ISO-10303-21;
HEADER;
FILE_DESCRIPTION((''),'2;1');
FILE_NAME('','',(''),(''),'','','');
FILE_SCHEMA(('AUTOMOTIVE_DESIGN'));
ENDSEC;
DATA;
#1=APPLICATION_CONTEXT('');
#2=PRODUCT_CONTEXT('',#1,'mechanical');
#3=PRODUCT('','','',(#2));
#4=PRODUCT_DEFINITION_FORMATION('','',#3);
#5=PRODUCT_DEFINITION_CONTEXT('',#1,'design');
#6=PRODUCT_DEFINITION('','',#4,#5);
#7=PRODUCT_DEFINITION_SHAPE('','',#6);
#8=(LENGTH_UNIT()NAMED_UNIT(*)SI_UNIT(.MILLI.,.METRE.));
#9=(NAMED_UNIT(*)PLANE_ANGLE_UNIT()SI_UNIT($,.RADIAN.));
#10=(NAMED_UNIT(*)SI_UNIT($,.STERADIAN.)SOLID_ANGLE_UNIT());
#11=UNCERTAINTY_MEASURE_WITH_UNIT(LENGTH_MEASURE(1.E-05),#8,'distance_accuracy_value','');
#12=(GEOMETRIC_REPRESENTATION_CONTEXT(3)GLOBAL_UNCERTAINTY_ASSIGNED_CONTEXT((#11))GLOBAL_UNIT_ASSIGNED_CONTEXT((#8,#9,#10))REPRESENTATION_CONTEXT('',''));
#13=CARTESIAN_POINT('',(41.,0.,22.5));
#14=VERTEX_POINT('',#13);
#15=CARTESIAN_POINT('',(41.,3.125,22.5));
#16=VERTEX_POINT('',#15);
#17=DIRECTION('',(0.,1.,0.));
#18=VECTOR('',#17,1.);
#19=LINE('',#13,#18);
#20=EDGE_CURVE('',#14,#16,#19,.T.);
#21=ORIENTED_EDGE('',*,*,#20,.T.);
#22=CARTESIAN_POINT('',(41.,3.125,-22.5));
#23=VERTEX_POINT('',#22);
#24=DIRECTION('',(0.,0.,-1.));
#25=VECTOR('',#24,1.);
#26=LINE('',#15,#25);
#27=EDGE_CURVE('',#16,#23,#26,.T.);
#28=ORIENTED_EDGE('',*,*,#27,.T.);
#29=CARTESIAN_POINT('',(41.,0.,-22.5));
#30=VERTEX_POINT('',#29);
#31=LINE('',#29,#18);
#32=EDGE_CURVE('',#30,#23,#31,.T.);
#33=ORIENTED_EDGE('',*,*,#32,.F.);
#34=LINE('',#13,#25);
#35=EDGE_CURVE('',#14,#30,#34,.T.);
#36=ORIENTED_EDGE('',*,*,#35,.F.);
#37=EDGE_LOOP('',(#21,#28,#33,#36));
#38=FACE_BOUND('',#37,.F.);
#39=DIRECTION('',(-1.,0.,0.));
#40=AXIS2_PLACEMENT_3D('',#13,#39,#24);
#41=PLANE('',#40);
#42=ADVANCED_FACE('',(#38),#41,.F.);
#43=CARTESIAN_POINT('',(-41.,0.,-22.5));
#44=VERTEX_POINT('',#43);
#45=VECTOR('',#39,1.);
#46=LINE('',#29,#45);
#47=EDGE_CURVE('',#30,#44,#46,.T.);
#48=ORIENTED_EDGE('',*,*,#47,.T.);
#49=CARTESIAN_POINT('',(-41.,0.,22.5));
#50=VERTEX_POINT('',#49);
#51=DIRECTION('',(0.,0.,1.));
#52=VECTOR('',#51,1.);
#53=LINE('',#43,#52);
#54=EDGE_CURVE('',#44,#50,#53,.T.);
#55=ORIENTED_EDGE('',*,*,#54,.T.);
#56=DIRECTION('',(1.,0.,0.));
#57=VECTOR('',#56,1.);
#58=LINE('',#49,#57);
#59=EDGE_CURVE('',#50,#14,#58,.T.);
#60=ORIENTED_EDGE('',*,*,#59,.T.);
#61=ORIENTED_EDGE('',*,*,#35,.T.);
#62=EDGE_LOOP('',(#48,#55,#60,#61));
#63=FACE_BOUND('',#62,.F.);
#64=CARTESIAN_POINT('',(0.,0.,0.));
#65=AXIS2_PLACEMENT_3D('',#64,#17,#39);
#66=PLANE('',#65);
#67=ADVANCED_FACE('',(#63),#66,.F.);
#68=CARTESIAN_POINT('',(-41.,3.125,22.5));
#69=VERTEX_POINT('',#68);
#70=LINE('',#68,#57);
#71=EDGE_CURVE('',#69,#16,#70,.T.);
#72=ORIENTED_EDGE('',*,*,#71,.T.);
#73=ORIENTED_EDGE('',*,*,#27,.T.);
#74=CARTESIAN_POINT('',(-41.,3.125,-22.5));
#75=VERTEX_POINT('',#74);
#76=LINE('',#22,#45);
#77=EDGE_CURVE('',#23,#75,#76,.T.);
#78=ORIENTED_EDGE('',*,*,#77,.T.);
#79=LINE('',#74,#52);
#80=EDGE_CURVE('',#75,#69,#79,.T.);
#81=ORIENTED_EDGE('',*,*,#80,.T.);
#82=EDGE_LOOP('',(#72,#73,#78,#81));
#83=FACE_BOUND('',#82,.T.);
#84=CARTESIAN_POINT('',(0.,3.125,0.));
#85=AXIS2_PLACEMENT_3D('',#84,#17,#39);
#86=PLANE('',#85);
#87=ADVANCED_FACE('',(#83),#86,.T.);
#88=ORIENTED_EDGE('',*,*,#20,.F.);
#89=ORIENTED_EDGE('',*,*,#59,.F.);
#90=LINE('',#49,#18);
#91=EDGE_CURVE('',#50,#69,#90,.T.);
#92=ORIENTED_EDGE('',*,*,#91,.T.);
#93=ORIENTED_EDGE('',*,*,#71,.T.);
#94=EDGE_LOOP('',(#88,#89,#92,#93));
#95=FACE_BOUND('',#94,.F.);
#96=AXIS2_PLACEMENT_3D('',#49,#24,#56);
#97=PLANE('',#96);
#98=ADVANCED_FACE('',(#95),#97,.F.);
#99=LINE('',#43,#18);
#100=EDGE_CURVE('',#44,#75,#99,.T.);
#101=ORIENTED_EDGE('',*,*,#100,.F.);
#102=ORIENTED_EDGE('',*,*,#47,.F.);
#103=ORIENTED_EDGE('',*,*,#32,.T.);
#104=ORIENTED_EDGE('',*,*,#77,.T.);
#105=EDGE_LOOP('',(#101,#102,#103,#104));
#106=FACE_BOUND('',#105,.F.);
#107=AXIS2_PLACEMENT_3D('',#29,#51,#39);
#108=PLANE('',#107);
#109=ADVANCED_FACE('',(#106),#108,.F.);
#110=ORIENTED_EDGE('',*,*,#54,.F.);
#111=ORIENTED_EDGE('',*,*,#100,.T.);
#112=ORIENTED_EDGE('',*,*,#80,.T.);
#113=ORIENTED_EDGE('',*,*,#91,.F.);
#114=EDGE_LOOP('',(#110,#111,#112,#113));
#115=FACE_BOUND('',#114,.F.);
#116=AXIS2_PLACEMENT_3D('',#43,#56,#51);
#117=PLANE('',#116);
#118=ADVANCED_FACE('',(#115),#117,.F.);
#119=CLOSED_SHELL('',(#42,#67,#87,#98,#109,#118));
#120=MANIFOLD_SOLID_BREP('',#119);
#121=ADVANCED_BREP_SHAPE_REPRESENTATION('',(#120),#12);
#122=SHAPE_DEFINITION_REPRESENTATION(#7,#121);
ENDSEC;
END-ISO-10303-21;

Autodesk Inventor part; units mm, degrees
ref_plane "YZ Plane" through (0, 0, 0) normal (1, 0, 0) x (0, 1, 0)
ref_plane "XZ Plane" through (0, 0, 0) normal (0, 1, 0) x (-1, 0, 0)
ref_plane "XY Plane" through (0, 0, 0) normal (0, 0, 1) x (1, 0, 0)
sketch "Sketch1" plane through (0, 0, 0) normal (0, 1, 0) x (-1, 0, 0)
  line L0 (41, 22.5) -> (-41, 22.5)
  line L1 (-41, 22.5) -> (-41, -22.5)
  line L2 (-41, -22.5) -> (41, -22.5)
  line L3 (41, -22.5) -> (41, 22.5)
  line L4 (41, 22.5) -> (-41, -22.5) construction
  line L5 (-41, 22.5) -> (41, -22.5) construction
  point P0 (0, 0)
  dimension "d0" = 82
  dimension "d1" = 45
extrude "Extrusion1" add sketch "Sketch1" along normal blind 3.125
properties part number "tapabate"
